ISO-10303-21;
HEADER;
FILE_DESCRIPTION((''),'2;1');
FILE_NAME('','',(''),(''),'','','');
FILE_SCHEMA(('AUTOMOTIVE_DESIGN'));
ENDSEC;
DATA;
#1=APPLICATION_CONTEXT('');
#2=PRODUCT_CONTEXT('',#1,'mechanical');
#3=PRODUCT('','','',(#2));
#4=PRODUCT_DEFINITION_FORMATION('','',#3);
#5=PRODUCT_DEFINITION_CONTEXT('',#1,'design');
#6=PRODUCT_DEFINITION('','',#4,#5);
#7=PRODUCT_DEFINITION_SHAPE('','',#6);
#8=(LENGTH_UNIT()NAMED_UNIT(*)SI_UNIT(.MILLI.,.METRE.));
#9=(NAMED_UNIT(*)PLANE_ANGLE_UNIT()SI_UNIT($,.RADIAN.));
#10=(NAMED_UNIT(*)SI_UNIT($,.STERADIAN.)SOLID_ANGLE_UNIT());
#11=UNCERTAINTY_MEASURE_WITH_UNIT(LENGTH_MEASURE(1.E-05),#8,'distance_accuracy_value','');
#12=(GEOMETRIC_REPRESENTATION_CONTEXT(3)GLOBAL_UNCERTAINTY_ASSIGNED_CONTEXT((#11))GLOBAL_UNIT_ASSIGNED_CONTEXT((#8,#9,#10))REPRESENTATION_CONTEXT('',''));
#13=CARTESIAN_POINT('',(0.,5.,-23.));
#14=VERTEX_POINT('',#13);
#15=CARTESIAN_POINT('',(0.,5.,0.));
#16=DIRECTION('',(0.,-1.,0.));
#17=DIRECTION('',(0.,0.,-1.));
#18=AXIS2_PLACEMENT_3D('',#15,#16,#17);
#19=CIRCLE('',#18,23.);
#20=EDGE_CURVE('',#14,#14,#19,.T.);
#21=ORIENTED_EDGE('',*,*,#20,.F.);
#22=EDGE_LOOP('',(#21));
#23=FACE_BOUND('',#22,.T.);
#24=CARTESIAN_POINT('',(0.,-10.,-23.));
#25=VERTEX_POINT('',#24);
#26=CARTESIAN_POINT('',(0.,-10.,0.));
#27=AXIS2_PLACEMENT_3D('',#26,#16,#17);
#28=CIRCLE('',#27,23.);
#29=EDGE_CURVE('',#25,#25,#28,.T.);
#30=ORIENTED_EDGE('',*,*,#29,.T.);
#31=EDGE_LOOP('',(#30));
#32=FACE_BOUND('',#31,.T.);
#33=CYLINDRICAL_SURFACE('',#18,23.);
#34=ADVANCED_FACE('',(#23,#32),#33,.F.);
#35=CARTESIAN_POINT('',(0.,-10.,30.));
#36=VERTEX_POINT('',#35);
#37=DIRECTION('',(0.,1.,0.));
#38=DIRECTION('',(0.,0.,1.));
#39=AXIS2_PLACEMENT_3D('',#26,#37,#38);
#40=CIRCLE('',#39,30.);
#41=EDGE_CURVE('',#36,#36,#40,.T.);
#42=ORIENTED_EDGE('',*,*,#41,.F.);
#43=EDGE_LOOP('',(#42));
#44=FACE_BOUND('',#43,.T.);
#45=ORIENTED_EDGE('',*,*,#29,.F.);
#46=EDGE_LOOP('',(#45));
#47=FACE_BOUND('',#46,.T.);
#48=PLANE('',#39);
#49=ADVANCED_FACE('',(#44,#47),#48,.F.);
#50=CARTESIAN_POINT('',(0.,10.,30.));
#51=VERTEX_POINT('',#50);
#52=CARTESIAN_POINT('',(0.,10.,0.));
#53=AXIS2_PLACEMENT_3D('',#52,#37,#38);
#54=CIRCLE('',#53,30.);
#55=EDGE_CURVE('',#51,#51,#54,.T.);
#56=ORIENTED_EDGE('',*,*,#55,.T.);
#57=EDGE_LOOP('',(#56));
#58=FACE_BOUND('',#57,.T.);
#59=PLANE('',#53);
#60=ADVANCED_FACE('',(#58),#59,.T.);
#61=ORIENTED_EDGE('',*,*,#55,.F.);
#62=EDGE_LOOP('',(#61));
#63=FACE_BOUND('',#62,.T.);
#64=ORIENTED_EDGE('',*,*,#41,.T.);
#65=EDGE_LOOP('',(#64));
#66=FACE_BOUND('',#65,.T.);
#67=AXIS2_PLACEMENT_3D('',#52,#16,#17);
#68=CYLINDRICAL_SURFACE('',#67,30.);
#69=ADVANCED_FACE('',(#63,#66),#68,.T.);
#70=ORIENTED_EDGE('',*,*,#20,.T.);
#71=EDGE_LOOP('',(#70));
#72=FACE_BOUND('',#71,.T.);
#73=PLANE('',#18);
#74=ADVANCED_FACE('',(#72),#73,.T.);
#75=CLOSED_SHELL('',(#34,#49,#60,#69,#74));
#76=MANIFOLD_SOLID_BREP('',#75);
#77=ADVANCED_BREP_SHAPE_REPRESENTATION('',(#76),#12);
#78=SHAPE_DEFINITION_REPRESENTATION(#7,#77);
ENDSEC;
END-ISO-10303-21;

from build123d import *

# Parameters (mm, degrees)
SKETCH1_R           = 30
BOSS_EXTRUDE1_DEPTH = 10
SKETCH2_R           = 23
CUT_EXTRUDE1_DEPTH  = 15


with BuildPart() as part:
    # Sketch1 → Boss-Extrude1 (new, symmetric)
    with BuildSketch(Plane(origin=(0, 0, 0), x_dir=(1, 0, 0), z_dir=(0, 1, 0))):
        with Locations(Location((0, 0, 0), (0, 0, 270))):
            Circle(SKETCH1_R)
    extrude(amount=BOSS_EXTRUDE1_DEPTH, both=True)

    # Sketch2 → Cut-Extrude1 (cut)
    with BuildSketch(Plane.XZ.offset(10)):
        with Locations(Location((0, 0, 0), (0, 0, 270))):
            Circle(SKETCH2_R)
    extrude(amount=-CUT_EXTRUDE1_DEPTH, mode=Mode.SUBTRACT)


solid = part.part
